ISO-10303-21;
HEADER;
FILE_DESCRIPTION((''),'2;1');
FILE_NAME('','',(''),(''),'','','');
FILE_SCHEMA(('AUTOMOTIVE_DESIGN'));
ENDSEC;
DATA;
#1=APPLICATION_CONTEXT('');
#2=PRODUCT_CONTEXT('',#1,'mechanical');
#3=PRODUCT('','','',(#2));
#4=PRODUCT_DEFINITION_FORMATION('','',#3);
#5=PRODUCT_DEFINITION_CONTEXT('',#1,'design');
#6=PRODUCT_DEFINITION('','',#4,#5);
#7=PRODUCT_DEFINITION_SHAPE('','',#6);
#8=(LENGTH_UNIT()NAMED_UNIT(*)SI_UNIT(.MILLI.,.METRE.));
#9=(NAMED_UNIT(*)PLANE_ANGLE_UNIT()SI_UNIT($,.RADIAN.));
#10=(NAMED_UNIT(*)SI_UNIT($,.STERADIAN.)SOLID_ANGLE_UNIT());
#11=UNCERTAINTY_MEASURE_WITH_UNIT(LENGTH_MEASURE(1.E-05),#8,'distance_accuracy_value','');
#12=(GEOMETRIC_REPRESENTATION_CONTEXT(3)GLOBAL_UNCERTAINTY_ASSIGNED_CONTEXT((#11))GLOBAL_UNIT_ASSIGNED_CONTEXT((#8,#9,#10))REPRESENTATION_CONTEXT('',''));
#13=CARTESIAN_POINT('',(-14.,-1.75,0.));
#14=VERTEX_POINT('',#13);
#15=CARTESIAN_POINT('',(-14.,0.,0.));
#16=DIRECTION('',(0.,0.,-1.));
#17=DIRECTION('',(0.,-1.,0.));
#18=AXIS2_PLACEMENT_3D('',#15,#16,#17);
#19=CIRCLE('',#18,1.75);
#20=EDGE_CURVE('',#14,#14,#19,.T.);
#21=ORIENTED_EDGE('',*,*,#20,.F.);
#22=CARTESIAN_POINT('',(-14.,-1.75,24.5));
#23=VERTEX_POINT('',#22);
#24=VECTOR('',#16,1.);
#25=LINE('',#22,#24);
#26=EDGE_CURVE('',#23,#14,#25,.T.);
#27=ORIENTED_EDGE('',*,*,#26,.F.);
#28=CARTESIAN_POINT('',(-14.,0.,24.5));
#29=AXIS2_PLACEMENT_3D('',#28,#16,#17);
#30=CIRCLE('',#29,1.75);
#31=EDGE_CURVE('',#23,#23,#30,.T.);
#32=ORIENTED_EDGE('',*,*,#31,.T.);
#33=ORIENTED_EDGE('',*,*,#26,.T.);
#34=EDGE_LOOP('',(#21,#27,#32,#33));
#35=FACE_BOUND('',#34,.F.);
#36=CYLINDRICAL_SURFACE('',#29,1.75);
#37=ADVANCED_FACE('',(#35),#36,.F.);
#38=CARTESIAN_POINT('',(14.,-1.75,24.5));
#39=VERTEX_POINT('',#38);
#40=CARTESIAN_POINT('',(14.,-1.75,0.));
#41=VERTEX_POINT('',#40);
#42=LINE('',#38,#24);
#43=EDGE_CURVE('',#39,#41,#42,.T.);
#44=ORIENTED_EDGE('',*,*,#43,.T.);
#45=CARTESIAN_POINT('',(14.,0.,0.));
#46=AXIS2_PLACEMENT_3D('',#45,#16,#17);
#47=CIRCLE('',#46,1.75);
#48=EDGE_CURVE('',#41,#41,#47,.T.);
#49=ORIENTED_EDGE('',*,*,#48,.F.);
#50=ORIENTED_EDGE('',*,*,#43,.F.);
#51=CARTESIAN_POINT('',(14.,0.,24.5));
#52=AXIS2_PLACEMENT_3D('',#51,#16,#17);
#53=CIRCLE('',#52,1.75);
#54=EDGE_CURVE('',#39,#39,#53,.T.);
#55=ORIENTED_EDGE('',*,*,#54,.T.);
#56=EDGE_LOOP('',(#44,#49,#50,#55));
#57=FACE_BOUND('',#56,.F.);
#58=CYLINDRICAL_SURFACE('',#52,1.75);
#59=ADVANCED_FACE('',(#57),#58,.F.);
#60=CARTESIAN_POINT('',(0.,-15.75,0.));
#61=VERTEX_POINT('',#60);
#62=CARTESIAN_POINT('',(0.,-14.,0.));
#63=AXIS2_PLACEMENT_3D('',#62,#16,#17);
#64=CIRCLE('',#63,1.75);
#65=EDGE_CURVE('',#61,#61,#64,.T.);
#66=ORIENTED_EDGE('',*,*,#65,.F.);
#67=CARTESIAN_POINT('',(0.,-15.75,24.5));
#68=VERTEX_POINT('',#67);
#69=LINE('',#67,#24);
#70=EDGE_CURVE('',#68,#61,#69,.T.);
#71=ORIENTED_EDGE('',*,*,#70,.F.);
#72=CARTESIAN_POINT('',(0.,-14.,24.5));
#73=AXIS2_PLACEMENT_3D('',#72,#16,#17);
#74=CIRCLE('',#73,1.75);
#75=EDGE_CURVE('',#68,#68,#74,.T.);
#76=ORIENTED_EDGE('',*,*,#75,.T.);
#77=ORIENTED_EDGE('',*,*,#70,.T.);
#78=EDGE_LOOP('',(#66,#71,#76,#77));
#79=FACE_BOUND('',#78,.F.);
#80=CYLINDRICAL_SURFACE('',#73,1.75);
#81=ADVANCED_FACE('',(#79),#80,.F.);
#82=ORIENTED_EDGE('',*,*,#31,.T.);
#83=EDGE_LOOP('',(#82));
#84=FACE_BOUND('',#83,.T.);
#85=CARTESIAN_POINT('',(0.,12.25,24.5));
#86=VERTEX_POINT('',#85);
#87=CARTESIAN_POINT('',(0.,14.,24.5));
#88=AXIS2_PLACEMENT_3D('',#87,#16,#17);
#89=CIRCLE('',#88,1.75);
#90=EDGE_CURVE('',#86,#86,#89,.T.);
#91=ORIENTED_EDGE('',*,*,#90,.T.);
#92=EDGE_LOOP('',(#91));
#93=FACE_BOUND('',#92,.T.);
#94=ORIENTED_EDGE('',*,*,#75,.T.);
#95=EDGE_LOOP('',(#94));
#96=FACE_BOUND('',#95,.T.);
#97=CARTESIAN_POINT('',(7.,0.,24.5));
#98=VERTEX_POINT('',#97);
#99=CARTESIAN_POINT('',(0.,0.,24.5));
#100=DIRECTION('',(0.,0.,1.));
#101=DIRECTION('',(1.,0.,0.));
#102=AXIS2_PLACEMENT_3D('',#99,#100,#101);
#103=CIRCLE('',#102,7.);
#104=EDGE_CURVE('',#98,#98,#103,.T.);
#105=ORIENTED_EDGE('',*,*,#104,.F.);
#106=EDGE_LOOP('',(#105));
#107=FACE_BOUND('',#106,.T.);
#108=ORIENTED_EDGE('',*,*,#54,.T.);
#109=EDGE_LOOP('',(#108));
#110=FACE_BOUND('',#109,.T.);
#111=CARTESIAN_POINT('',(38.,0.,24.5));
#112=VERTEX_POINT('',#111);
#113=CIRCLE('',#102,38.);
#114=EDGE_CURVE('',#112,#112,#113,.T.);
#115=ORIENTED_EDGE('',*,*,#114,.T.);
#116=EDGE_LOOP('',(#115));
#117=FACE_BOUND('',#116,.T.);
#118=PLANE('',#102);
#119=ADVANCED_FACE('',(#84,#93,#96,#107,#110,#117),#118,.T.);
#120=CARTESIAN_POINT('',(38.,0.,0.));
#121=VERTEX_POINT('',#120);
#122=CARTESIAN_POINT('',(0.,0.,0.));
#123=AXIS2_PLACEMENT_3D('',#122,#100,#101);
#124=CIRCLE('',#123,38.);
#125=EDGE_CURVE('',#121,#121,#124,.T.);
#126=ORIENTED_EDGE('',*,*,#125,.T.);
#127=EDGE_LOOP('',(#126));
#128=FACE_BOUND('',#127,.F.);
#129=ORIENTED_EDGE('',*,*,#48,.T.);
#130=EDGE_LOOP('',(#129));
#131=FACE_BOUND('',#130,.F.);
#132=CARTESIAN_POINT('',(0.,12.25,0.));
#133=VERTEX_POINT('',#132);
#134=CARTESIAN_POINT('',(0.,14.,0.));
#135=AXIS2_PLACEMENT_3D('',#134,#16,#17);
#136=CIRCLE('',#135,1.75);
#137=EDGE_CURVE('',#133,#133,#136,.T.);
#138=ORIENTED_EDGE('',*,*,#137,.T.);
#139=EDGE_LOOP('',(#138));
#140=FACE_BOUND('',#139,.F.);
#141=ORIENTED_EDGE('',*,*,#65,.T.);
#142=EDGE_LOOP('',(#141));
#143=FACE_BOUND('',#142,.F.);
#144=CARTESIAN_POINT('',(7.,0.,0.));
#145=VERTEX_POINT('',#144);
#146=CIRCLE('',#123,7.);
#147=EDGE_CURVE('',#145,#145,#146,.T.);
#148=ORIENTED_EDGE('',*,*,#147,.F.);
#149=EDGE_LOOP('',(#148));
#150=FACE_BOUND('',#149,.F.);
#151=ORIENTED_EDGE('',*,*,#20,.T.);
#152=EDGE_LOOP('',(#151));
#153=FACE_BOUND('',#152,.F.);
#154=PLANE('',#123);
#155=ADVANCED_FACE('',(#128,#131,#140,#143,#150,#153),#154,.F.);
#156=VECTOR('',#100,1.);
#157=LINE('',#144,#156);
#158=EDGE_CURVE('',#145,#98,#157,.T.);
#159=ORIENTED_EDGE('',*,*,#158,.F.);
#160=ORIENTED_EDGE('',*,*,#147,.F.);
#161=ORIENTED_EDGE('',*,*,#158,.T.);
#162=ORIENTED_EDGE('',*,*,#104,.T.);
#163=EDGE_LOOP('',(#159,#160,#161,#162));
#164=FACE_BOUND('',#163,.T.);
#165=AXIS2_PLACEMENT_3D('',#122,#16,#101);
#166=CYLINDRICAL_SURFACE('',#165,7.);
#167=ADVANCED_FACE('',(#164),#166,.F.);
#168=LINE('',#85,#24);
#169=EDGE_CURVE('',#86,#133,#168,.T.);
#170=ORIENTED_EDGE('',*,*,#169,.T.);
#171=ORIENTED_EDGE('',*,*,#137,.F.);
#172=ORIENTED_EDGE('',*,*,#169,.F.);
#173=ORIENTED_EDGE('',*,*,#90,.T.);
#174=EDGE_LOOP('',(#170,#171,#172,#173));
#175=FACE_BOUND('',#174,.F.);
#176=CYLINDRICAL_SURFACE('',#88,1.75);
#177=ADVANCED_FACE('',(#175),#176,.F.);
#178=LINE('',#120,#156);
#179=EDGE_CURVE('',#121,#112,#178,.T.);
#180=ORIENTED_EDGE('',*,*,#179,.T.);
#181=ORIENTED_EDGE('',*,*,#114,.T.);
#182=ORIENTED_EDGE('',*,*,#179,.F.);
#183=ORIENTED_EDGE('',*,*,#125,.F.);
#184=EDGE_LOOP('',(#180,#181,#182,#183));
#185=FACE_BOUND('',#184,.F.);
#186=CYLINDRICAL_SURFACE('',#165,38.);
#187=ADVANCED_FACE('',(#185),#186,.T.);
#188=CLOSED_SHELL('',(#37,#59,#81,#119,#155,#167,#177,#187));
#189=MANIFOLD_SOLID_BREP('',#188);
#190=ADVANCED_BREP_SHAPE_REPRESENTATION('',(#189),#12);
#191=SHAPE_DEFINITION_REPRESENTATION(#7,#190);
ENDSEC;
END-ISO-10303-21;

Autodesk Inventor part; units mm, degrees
ref_plane "YZ Plane" through (0, 0, 0) normal (1, 0, 0) x (0, 1, 0)
ref_plane "XZ Plane" through (0, 0, 0) normal (0, 1, 0) x (-1, 0, 0)
ref_plane "XY Plane" through (0, 0, 0) normal (0, 0, 1) x (1, 0, 0)
sketch "スケッチ1" plane through (0, 0, 0) normal (0, 0, 1) x (1, 0, 0)
  circle A0 centre (0, 0) radius 7
  circle A1 centre (0, 0) radius 38
  dimension "d0" = 14
  dimension "d1" = 76
extrude "押し出し1" add sketch "スケッチ1" along normal blind 24.5
sketch "スケッチ2" plane through (0, 0, 24.5) normal (0, 0, 1) x (1, 0, 0)
  circle A0 centre (0, 0) radius 7 projected
  circle A1 centre (0, 0) radius 14
  point P0 (0, 14)
  point P1 (-14, 0)
  point P2 (0, -14)
  point P3 (14, 0)
  dimension "d4" = 28
  dimension "d7" = 360
hole "穴1" at (0, 14, 24.5) at (-14, 0, 24.5) at (0, -14, 24.5) at (14, 0, 24.5) direction (0, 0, -1) diameter 3.5 end through all
properties part number "small_tire" material "ゴム、シリコーン"
